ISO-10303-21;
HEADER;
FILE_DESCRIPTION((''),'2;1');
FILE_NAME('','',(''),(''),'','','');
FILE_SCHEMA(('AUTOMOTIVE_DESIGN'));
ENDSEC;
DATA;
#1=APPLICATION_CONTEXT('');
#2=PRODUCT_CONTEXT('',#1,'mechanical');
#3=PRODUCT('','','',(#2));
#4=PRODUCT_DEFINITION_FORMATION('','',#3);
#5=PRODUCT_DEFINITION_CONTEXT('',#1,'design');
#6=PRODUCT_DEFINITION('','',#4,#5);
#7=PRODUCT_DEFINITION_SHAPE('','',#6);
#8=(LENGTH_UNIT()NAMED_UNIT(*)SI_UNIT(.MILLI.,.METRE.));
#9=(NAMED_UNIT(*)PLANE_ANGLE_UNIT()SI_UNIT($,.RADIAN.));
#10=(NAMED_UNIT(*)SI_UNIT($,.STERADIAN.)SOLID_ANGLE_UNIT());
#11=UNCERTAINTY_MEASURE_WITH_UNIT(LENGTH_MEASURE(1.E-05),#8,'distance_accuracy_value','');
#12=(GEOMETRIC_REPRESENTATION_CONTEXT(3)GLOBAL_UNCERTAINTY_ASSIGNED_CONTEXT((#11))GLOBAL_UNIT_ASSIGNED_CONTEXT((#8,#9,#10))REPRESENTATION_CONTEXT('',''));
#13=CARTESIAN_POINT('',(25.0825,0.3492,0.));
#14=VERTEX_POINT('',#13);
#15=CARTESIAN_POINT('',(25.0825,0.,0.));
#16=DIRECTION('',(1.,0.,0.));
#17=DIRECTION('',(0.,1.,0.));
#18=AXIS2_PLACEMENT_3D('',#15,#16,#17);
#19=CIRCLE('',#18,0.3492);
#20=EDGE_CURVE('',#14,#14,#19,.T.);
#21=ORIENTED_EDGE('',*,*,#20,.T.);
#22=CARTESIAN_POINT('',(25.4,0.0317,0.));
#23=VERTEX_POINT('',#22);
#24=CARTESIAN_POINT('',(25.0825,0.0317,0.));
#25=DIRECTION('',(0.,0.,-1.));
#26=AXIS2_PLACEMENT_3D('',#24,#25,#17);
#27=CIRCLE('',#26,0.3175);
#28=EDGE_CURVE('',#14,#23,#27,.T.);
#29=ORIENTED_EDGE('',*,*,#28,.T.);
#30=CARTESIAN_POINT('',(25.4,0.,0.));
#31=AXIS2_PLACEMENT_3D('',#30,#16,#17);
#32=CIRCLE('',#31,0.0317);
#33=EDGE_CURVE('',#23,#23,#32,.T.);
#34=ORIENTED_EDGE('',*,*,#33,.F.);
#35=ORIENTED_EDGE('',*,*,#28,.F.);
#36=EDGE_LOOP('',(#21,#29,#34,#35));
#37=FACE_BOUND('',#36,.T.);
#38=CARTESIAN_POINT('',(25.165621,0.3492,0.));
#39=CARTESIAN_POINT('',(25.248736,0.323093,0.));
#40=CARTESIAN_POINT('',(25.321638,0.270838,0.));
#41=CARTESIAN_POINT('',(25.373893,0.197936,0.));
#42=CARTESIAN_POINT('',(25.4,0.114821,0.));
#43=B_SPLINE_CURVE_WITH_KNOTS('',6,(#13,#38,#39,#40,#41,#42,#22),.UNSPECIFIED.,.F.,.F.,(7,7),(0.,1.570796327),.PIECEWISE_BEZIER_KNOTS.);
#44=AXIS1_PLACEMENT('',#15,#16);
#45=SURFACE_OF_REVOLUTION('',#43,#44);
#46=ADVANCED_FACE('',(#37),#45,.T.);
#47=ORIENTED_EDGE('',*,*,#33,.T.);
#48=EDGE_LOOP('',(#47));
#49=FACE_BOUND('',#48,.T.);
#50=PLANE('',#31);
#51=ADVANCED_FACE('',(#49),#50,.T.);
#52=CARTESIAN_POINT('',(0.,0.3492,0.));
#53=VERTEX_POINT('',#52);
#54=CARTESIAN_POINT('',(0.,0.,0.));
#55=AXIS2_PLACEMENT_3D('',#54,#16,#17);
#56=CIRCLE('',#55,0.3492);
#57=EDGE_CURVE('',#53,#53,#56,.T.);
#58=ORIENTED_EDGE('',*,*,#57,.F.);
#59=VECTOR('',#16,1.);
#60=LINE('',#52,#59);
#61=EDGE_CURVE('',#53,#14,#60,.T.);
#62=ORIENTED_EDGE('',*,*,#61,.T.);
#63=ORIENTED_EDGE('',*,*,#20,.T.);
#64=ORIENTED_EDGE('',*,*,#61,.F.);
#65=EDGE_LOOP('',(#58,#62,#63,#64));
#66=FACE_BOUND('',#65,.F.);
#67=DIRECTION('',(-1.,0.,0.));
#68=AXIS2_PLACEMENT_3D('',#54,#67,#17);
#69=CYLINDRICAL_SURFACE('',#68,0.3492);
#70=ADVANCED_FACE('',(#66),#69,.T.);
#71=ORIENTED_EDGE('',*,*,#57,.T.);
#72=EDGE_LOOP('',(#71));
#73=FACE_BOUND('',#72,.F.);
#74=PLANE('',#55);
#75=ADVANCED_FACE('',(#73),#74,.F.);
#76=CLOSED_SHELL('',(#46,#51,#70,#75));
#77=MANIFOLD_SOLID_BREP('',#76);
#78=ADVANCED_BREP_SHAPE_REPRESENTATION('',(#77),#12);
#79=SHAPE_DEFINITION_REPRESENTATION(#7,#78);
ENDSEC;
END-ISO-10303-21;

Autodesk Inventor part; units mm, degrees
ref_plane "YZ Plane" through (0, 0, 0) normal (1, 0, 0) x (0, 1, 0)
ref_plane "XZ Plane" through (0, 0, 0) normal (0, 1, 0) x (-1, 0, 0)
ref_plane "XY Plane" through (0, 0, 0) normal (0, 0, 1) x (1, 0, 0)
sketch "Sketch1" plane through (0, 0, 0) normal (1, 0, 0) x (0, 1, 0)
  circle A0 centre (0, 0) radius 0.3492
  dimension "d0" = 0.6985
extrude "Extrusion1" add sketch "Sketch1" along normal blind 25.4
fillet "Fillet1" radius 0.3175 1 edges at (25.4, -0.3492, 0)
properties part number "PWM (Black)" material "Copper"
